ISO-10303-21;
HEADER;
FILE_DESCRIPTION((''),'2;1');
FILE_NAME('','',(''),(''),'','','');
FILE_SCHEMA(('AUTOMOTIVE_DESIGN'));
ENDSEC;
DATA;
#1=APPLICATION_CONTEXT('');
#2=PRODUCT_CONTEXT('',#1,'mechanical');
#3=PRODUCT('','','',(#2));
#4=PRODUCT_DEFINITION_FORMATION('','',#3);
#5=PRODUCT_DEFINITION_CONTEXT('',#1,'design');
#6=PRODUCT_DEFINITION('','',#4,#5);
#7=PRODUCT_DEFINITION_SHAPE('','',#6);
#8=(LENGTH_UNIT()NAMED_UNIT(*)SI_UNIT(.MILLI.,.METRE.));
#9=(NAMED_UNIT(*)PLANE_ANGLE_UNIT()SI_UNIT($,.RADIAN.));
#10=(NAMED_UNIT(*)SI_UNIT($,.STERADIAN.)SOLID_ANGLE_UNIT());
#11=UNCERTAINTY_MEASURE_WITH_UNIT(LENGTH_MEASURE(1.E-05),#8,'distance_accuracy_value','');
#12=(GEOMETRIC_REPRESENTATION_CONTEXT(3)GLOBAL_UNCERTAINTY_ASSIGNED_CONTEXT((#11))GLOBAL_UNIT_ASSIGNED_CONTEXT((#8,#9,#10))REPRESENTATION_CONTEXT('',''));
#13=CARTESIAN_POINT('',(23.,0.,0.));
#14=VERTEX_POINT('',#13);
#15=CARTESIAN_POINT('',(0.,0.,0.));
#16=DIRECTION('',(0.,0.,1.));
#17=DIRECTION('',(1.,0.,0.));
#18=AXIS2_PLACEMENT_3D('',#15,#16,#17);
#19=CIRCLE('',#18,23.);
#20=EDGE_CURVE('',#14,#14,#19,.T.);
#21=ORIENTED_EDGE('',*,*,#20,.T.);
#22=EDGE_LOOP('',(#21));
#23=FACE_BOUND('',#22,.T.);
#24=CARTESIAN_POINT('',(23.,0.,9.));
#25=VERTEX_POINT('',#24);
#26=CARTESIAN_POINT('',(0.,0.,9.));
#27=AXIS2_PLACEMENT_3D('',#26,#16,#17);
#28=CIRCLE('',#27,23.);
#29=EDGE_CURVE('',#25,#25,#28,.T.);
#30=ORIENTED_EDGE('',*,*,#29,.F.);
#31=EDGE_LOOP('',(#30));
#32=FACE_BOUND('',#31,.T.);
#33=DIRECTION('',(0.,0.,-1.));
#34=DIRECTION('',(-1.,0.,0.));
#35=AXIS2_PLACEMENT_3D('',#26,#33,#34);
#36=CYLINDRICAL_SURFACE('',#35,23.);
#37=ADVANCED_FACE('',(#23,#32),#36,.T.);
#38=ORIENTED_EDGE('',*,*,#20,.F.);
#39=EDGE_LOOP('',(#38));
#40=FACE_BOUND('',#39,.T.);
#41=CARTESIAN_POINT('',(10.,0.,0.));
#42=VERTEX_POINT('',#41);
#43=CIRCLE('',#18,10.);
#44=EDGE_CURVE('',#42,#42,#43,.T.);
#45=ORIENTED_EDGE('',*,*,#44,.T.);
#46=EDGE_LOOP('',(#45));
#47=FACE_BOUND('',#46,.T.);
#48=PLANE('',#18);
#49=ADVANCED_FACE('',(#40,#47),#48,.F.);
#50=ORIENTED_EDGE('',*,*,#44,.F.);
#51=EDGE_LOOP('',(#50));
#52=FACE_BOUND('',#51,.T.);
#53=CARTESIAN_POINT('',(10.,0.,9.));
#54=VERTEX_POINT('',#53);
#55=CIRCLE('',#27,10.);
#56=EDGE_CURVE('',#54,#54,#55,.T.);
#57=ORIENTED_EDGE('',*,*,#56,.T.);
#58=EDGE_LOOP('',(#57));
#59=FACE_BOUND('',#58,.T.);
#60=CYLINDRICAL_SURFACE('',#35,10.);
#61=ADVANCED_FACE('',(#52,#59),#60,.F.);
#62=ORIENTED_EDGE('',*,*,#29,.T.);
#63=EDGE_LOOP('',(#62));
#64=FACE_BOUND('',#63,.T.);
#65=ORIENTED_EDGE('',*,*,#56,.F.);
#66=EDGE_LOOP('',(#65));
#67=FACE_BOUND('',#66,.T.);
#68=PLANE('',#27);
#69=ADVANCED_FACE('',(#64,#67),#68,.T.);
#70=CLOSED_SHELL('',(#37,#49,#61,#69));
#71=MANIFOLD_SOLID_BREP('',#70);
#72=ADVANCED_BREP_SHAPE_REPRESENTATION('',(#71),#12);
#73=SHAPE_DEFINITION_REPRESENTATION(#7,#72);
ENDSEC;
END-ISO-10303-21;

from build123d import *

# Parameters (mm, degrees)
SKETCH_1_R      = 23
SKETCH_1_R_2    = 10
EXTRUDE_1_DEPTH = 9


with BuildPart() as part:
    # Эскиз1 → Бобышка-Вытянуть1 (new body)
    with BuildSketch(Plane.XY):
        Circle(SKETCH_1_R)
        Circle(SKETCH_1_R_2, mode=Mode.SUBTRACT)
    extrude(amount=EXTRUDE_1_DEPTH)


solid = part.part
